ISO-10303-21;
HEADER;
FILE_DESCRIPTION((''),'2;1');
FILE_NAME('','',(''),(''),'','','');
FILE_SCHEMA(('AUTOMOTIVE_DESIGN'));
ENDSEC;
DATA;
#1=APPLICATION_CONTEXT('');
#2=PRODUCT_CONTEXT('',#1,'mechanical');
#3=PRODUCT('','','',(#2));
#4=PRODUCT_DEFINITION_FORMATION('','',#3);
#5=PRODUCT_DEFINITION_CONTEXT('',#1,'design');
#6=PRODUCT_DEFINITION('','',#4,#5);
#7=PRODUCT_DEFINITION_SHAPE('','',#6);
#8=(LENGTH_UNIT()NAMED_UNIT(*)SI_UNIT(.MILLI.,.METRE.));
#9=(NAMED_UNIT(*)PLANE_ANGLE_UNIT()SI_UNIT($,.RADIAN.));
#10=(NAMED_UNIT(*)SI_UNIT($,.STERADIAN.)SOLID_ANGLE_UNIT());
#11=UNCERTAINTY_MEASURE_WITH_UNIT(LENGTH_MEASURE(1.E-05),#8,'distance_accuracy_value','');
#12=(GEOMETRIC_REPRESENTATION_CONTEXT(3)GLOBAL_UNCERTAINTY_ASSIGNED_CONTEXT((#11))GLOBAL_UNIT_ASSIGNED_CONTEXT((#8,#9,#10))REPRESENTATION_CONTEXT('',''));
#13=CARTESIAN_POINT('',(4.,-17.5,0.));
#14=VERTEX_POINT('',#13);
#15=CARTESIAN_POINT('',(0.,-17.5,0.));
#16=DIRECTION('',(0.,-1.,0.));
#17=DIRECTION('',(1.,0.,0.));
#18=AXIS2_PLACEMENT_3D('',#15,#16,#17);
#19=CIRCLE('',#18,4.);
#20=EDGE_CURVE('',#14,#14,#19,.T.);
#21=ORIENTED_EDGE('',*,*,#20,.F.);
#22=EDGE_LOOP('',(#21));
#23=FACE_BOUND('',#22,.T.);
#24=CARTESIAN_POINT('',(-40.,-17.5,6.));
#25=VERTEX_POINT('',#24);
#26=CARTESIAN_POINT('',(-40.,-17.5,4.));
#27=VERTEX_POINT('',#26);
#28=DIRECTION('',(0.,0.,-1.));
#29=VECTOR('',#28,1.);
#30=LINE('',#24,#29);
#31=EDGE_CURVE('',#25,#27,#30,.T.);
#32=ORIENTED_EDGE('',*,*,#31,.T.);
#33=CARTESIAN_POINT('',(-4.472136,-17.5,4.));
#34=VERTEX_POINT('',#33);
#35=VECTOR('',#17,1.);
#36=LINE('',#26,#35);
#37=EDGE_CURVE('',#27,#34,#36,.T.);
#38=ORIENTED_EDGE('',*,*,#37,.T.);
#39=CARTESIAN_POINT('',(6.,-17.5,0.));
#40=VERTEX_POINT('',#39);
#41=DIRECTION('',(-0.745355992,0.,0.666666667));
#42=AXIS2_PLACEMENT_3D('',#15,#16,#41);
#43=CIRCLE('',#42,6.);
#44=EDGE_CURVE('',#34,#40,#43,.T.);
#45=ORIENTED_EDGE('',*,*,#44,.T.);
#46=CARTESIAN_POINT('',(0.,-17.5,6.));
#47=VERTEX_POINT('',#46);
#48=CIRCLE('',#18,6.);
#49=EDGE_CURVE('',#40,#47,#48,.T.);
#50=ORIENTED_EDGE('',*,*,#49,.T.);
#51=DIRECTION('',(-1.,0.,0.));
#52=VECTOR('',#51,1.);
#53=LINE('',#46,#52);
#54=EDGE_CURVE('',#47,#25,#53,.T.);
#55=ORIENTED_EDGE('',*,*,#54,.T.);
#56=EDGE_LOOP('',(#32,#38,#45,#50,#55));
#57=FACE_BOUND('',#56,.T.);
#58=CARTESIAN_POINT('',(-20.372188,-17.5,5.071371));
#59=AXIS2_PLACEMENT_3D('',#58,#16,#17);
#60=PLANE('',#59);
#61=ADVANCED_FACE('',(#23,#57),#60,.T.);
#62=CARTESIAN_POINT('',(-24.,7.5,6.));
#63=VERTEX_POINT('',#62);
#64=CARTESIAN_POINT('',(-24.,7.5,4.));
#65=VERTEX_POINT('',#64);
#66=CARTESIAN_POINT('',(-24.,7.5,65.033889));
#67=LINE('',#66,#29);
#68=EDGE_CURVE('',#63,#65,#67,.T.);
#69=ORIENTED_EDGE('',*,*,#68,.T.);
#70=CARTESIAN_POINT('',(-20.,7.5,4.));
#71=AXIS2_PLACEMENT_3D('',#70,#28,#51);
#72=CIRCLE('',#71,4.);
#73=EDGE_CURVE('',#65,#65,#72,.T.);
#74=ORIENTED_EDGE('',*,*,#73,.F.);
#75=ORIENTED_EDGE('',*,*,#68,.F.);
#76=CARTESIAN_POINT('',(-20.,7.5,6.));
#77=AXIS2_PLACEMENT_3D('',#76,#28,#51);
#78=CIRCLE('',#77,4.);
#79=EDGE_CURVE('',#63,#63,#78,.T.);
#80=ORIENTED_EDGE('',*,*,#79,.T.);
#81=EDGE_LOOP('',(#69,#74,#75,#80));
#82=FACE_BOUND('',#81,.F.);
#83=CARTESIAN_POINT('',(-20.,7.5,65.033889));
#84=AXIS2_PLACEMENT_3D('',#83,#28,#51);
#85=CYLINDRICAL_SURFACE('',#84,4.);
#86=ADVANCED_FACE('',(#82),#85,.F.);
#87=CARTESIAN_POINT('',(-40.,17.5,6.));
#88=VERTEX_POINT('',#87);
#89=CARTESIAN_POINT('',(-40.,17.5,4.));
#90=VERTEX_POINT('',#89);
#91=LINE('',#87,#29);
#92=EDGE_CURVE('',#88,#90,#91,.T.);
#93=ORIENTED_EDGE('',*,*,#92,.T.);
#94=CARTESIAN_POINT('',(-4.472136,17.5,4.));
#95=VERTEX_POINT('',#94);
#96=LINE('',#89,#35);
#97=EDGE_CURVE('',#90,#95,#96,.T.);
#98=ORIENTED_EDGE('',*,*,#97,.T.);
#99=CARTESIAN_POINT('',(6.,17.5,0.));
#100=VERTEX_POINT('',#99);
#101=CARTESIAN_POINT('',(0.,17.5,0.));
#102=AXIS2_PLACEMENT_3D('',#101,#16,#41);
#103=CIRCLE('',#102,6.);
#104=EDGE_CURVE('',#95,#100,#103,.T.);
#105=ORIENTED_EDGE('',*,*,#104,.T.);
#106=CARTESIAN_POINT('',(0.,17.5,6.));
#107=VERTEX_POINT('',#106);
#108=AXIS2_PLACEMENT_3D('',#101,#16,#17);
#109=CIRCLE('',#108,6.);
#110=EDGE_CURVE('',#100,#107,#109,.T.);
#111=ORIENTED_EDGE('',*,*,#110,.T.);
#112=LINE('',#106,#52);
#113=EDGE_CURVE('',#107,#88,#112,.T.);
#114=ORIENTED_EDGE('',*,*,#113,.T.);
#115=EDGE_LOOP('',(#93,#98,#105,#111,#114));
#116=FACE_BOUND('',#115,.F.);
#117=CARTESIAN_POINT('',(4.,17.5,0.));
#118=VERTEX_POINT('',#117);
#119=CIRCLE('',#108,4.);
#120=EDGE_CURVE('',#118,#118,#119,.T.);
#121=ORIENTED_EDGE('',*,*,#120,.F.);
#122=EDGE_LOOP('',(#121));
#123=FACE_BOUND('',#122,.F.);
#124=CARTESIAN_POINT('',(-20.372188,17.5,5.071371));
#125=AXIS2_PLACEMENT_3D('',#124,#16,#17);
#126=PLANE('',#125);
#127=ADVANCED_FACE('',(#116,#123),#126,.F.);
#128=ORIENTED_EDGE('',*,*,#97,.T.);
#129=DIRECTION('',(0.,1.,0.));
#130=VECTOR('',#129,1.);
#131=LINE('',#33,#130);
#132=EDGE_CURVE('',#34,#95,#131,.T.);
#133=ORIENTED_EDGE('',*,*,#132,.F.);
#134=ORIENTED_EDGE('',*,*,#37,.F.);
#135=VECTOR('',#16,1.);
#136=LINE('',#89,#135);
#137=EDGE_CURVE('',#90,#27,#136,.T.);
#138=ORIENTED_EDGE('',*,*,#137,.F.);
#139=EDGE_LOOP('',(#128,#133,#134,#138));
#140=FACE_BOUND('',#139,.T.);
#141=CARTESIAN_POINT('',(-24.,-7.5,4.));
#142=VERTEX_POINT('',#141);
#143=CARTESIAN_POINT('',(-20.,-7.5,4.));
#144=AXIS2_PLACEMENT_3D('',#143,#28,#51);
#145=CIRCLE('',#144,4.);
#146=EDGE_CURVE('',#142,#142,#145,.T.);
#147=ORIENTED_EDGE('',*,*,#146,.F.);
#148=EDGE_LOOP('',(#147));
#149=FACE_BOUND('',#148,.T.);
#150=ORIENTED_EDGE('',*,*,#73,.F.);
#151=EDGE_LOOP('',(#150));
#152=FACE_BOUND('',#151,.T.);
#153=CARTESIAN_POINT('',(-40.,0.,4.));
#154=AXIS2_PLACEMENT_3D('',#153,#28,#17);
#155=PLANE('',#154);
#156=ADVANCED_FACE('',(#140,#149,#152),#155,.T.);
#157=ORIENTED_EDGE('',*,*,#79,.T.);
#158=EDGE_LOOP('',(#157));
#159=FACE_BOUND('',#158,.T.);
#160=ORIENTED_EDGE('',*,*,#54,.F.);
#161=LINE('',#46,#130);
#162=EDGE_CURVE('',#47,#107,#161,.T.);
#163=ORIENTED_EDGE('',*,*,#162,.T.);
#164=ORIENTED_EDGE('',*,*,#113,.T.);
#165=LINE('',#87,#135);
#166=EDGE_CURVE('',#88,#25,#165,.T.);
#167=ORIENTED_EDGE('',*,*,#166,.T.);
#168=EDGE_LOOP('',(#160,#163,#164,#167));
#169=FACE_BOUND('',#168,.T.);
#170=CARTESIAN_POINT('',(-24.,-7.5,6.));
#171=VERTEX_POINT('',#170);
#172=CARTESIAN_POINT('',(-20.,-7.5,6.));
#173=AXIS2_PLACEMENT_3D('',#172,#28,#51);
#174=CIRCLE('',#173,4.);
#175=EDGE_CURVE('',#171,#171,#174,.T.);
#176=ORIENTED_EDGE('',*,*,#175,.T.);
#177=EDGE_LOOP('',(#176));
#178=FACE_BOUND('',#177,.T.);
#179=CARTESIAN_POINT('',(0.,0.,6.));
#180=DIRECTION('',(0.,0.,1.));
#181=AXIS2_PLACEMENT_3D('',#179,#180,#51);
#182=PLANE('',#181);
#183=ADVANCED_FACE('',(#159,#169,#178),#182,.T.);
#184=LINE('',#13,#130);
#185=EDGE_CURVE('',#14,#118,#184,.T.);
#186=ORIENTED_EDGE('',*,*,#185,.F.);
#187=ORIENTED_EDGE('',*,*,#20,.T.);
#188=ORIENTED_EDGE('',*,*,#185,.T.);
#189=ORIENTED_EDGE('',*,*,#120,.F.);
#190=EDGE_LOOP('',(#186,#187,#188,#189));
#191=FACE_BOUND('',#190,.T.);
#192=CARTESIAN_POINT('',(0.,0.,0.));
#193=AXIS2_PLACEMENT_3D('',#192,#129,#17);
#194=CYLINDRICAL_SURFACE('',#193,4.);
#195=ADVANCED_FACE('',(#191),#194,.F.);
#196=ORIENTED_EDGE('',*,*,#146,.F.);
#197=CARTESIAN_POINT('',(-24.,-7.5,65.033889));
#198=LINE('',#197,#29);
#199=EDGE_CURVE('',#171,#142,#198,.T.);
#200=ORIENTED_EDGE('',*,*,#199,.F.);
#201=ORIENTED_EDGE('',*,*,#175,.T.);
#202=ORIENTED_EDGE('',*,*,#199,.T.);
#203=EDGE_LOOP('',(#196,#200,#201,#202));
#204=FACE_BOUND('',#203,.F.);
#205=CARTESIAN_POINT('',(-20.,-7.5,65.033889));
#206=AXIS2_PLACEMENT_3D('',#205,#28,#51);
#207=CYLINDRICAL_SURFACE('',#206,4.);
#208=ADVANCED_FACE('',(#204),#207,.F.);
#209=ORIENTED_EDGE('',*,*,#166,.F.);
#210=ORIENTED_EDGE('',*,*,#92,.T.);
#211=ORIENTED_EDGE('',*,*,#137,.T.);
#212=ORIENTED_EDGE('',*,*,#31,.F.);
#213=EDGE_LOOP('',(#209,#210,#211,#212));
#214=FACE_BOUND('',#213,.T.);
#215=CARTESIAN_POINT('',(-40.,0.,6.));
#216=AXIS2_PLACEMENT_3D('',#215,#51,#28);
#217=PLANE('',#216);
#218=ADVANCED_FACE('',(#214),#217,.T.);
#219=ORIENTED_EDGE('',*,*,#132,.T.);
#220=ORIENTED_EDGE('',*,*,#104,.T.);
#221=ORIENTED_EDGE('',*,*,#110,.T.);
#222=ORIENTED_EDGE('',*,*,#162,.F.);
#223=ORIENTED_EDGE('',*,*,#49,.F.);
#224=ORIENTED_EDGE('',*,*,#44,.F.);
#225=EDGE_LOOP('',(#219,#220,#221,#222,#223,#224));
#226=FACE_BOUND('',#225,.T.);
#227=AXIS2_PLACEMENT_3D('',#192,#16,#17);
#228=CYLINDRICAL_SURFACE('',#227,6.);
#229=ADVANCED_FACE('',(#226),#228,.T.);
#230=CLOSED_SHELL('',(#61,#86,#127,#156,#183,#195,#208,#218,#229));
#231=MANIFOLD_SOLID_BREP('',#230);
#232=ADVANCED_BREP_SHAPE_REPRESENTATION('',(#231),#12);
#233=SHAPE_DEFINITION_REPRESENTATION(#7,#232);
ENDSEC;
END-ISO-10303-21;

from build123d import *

# Parameters (mm, degrees)
F0_R     = 4
F1_DEPTH = 17.5
F3_D     = 8


with BuildPart() as f1:
    # F0 (on Front) → F1 (new body, symmetric)
    with BuildSketch(Plane.XZ):
        with BuildLine():
            ThreePointArc((-4.472135955, 4), (-2.4494897428, 5.4772255751), (0, 6))
            Line((0, 6), (-40, 6))
            Line((-40, 6), (-40, 4))
            Line((-40, 4), (-4.472135955, 4))
        make_face()
        with BuildLine():
            ThreePointArc((-4.472135955, 4), (-2.1409325386, -5.6050341538), (6, 0))
            ThreePointArc((6, 0), (4.2426406871, 4.2426406871), (0, 6))
            ThreePointArc((0, 6), (-2.4494897428, 5.4772255751), (-4.472135955, 4))
        make_face()
        Circle(F0_R, mode=Mode.SUBTRACT)
    extrude(amount=F1_DEPTH, both=True)

    # F3 (through all)
    with Locations(Plane.XY.offset(6)):
        with Locations((-20, 7.5), (-20, -7.5)):
            Hole(F3_D / 2)


solid = f1.part
